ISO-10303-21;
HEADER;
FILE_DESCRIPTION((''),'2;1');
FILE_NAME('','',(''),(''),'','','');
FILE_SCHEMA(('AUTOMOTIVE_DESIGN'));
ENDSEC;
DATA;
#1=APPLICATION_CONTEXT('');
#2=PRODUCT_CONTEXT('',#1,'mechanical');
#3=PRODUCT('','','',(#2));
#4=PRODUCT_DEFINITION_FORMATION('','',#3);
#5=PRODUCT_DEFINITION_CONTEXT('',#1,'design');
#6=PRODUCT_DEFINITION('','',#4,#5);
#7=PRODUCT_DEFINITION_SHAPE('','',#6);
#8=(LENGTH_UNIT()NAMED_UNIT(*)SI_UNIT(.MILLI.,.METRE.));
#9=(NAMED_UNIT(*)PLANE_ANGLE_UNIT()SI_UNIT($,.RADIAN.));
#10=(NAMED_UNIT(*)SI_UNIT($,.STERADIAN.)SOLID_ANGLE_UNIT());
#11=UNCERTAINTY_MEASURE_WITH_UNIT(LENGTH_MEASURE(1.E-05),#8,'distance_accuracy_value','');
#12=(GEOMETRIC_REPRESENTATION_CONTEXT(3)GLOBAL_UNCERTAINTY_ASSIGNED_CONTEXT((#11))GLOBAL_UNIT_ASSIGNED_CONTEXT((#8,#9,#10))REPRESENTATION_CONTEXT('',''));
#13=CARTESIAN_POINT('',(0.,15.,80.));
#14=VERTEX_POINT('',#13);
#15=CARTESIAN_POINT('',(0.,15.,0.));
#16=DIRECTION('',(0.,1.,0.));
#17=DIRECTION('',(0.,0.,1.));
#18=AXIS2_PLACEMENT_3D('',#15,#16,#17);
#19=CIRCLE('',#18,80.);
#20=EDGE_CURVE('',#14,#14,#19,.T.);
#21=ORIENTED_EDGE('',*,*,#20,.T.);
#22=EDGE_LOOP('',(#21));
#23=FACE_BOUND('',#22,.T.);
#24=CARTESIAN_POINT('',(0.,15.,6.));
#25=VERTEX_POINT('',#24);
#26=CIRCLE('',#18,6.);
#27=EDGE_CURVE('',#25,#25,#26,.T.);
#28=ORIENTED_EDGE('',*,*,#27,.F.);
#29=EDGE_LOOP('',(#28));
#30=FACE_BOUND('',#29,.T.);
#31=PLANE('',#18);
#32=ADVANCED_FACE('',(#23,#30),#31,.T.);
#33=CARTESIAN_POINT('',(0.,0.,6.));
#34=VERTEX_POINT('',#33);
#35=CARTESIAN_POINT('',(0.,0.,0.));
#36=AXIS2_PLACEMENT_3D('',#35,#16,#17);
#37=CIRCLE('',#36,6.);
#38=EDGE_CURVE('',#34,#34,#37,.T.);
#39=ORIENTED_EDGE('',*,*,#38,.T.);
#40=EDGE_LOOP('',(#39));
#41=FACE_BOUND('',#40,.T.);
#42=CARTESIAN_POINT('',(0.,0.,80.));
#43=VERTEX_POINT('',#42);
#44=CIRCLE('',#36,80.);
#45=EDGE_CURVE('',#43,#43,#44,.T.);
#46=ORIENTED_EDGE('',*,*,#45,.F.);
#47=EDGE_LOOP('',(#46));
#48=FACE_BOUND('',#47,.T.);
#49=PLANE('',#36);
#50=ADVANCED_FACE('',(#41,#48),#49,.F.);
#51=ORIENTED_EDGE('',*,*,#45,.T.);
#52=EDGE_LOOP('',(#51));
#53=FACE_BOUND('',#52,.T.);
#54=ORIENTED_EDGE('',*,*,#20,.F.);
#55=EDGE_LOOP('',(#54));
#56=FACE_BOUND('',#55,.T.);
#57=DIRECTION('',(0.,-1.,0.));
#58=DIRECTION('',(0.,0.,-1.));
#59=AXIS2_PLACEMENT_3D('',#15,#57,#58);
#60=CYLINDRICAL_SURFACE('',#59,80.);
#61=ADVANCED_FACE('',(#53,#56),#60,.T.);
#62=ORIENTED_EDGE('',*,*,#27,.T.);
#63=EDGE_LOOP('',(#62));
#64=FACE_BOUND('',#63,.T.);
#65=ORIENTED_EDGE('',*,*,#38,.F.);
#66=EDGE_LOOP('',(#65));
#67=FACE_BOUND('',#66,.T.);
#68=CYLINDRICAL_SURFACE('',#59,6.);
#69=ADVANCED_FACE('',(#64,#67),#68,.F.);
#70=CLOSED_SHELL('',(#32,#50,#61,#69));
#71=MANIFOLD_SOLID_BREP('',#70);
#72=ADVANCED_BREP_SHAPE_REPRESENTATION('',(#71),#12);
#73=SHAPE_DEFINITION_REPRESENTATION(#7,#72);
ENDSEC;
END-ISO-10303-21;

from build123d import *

# Parameters (mm, degrees)
ESBO_O1_R                = 80
RESSALTO_EXTRUS_O1_DEPTH = 15
ESBO_O2_R                = 6
CORTE_EXTRUS_O1_DEPTH    = 15


with BuildPart() as part:
    # Esboço1 → Ressalto-extrusão1 (new body)
    with BuildSketch(Plane(origin=(0, 0, 0), x_dir=(1, 0, 0), z_dir=(0, 1, 0))):
        with Locations(Location((0, 0, 0), (0, 0, 270))):
            Circle(ESBO_O1_R)
    extrude(amount=RESSALTO_EXTRUS_O1_DEPTH)

    # Esboço2 → Corte-extrusão1 (cut)
    with BuildSketch(Plane(origin=(0, 0, 0), x_dir=(1, 0, 0), z_dir=(0, 1, 0))):
        with Locations(Location((0, 0, 0), (0, 0, 270))):
            Circle(ESBO_O2_R)
    extrude(amount=CORTE_EXTRUS_O1_DEPTH, mode=Mode.SUBTRACT)


solid = part.part
